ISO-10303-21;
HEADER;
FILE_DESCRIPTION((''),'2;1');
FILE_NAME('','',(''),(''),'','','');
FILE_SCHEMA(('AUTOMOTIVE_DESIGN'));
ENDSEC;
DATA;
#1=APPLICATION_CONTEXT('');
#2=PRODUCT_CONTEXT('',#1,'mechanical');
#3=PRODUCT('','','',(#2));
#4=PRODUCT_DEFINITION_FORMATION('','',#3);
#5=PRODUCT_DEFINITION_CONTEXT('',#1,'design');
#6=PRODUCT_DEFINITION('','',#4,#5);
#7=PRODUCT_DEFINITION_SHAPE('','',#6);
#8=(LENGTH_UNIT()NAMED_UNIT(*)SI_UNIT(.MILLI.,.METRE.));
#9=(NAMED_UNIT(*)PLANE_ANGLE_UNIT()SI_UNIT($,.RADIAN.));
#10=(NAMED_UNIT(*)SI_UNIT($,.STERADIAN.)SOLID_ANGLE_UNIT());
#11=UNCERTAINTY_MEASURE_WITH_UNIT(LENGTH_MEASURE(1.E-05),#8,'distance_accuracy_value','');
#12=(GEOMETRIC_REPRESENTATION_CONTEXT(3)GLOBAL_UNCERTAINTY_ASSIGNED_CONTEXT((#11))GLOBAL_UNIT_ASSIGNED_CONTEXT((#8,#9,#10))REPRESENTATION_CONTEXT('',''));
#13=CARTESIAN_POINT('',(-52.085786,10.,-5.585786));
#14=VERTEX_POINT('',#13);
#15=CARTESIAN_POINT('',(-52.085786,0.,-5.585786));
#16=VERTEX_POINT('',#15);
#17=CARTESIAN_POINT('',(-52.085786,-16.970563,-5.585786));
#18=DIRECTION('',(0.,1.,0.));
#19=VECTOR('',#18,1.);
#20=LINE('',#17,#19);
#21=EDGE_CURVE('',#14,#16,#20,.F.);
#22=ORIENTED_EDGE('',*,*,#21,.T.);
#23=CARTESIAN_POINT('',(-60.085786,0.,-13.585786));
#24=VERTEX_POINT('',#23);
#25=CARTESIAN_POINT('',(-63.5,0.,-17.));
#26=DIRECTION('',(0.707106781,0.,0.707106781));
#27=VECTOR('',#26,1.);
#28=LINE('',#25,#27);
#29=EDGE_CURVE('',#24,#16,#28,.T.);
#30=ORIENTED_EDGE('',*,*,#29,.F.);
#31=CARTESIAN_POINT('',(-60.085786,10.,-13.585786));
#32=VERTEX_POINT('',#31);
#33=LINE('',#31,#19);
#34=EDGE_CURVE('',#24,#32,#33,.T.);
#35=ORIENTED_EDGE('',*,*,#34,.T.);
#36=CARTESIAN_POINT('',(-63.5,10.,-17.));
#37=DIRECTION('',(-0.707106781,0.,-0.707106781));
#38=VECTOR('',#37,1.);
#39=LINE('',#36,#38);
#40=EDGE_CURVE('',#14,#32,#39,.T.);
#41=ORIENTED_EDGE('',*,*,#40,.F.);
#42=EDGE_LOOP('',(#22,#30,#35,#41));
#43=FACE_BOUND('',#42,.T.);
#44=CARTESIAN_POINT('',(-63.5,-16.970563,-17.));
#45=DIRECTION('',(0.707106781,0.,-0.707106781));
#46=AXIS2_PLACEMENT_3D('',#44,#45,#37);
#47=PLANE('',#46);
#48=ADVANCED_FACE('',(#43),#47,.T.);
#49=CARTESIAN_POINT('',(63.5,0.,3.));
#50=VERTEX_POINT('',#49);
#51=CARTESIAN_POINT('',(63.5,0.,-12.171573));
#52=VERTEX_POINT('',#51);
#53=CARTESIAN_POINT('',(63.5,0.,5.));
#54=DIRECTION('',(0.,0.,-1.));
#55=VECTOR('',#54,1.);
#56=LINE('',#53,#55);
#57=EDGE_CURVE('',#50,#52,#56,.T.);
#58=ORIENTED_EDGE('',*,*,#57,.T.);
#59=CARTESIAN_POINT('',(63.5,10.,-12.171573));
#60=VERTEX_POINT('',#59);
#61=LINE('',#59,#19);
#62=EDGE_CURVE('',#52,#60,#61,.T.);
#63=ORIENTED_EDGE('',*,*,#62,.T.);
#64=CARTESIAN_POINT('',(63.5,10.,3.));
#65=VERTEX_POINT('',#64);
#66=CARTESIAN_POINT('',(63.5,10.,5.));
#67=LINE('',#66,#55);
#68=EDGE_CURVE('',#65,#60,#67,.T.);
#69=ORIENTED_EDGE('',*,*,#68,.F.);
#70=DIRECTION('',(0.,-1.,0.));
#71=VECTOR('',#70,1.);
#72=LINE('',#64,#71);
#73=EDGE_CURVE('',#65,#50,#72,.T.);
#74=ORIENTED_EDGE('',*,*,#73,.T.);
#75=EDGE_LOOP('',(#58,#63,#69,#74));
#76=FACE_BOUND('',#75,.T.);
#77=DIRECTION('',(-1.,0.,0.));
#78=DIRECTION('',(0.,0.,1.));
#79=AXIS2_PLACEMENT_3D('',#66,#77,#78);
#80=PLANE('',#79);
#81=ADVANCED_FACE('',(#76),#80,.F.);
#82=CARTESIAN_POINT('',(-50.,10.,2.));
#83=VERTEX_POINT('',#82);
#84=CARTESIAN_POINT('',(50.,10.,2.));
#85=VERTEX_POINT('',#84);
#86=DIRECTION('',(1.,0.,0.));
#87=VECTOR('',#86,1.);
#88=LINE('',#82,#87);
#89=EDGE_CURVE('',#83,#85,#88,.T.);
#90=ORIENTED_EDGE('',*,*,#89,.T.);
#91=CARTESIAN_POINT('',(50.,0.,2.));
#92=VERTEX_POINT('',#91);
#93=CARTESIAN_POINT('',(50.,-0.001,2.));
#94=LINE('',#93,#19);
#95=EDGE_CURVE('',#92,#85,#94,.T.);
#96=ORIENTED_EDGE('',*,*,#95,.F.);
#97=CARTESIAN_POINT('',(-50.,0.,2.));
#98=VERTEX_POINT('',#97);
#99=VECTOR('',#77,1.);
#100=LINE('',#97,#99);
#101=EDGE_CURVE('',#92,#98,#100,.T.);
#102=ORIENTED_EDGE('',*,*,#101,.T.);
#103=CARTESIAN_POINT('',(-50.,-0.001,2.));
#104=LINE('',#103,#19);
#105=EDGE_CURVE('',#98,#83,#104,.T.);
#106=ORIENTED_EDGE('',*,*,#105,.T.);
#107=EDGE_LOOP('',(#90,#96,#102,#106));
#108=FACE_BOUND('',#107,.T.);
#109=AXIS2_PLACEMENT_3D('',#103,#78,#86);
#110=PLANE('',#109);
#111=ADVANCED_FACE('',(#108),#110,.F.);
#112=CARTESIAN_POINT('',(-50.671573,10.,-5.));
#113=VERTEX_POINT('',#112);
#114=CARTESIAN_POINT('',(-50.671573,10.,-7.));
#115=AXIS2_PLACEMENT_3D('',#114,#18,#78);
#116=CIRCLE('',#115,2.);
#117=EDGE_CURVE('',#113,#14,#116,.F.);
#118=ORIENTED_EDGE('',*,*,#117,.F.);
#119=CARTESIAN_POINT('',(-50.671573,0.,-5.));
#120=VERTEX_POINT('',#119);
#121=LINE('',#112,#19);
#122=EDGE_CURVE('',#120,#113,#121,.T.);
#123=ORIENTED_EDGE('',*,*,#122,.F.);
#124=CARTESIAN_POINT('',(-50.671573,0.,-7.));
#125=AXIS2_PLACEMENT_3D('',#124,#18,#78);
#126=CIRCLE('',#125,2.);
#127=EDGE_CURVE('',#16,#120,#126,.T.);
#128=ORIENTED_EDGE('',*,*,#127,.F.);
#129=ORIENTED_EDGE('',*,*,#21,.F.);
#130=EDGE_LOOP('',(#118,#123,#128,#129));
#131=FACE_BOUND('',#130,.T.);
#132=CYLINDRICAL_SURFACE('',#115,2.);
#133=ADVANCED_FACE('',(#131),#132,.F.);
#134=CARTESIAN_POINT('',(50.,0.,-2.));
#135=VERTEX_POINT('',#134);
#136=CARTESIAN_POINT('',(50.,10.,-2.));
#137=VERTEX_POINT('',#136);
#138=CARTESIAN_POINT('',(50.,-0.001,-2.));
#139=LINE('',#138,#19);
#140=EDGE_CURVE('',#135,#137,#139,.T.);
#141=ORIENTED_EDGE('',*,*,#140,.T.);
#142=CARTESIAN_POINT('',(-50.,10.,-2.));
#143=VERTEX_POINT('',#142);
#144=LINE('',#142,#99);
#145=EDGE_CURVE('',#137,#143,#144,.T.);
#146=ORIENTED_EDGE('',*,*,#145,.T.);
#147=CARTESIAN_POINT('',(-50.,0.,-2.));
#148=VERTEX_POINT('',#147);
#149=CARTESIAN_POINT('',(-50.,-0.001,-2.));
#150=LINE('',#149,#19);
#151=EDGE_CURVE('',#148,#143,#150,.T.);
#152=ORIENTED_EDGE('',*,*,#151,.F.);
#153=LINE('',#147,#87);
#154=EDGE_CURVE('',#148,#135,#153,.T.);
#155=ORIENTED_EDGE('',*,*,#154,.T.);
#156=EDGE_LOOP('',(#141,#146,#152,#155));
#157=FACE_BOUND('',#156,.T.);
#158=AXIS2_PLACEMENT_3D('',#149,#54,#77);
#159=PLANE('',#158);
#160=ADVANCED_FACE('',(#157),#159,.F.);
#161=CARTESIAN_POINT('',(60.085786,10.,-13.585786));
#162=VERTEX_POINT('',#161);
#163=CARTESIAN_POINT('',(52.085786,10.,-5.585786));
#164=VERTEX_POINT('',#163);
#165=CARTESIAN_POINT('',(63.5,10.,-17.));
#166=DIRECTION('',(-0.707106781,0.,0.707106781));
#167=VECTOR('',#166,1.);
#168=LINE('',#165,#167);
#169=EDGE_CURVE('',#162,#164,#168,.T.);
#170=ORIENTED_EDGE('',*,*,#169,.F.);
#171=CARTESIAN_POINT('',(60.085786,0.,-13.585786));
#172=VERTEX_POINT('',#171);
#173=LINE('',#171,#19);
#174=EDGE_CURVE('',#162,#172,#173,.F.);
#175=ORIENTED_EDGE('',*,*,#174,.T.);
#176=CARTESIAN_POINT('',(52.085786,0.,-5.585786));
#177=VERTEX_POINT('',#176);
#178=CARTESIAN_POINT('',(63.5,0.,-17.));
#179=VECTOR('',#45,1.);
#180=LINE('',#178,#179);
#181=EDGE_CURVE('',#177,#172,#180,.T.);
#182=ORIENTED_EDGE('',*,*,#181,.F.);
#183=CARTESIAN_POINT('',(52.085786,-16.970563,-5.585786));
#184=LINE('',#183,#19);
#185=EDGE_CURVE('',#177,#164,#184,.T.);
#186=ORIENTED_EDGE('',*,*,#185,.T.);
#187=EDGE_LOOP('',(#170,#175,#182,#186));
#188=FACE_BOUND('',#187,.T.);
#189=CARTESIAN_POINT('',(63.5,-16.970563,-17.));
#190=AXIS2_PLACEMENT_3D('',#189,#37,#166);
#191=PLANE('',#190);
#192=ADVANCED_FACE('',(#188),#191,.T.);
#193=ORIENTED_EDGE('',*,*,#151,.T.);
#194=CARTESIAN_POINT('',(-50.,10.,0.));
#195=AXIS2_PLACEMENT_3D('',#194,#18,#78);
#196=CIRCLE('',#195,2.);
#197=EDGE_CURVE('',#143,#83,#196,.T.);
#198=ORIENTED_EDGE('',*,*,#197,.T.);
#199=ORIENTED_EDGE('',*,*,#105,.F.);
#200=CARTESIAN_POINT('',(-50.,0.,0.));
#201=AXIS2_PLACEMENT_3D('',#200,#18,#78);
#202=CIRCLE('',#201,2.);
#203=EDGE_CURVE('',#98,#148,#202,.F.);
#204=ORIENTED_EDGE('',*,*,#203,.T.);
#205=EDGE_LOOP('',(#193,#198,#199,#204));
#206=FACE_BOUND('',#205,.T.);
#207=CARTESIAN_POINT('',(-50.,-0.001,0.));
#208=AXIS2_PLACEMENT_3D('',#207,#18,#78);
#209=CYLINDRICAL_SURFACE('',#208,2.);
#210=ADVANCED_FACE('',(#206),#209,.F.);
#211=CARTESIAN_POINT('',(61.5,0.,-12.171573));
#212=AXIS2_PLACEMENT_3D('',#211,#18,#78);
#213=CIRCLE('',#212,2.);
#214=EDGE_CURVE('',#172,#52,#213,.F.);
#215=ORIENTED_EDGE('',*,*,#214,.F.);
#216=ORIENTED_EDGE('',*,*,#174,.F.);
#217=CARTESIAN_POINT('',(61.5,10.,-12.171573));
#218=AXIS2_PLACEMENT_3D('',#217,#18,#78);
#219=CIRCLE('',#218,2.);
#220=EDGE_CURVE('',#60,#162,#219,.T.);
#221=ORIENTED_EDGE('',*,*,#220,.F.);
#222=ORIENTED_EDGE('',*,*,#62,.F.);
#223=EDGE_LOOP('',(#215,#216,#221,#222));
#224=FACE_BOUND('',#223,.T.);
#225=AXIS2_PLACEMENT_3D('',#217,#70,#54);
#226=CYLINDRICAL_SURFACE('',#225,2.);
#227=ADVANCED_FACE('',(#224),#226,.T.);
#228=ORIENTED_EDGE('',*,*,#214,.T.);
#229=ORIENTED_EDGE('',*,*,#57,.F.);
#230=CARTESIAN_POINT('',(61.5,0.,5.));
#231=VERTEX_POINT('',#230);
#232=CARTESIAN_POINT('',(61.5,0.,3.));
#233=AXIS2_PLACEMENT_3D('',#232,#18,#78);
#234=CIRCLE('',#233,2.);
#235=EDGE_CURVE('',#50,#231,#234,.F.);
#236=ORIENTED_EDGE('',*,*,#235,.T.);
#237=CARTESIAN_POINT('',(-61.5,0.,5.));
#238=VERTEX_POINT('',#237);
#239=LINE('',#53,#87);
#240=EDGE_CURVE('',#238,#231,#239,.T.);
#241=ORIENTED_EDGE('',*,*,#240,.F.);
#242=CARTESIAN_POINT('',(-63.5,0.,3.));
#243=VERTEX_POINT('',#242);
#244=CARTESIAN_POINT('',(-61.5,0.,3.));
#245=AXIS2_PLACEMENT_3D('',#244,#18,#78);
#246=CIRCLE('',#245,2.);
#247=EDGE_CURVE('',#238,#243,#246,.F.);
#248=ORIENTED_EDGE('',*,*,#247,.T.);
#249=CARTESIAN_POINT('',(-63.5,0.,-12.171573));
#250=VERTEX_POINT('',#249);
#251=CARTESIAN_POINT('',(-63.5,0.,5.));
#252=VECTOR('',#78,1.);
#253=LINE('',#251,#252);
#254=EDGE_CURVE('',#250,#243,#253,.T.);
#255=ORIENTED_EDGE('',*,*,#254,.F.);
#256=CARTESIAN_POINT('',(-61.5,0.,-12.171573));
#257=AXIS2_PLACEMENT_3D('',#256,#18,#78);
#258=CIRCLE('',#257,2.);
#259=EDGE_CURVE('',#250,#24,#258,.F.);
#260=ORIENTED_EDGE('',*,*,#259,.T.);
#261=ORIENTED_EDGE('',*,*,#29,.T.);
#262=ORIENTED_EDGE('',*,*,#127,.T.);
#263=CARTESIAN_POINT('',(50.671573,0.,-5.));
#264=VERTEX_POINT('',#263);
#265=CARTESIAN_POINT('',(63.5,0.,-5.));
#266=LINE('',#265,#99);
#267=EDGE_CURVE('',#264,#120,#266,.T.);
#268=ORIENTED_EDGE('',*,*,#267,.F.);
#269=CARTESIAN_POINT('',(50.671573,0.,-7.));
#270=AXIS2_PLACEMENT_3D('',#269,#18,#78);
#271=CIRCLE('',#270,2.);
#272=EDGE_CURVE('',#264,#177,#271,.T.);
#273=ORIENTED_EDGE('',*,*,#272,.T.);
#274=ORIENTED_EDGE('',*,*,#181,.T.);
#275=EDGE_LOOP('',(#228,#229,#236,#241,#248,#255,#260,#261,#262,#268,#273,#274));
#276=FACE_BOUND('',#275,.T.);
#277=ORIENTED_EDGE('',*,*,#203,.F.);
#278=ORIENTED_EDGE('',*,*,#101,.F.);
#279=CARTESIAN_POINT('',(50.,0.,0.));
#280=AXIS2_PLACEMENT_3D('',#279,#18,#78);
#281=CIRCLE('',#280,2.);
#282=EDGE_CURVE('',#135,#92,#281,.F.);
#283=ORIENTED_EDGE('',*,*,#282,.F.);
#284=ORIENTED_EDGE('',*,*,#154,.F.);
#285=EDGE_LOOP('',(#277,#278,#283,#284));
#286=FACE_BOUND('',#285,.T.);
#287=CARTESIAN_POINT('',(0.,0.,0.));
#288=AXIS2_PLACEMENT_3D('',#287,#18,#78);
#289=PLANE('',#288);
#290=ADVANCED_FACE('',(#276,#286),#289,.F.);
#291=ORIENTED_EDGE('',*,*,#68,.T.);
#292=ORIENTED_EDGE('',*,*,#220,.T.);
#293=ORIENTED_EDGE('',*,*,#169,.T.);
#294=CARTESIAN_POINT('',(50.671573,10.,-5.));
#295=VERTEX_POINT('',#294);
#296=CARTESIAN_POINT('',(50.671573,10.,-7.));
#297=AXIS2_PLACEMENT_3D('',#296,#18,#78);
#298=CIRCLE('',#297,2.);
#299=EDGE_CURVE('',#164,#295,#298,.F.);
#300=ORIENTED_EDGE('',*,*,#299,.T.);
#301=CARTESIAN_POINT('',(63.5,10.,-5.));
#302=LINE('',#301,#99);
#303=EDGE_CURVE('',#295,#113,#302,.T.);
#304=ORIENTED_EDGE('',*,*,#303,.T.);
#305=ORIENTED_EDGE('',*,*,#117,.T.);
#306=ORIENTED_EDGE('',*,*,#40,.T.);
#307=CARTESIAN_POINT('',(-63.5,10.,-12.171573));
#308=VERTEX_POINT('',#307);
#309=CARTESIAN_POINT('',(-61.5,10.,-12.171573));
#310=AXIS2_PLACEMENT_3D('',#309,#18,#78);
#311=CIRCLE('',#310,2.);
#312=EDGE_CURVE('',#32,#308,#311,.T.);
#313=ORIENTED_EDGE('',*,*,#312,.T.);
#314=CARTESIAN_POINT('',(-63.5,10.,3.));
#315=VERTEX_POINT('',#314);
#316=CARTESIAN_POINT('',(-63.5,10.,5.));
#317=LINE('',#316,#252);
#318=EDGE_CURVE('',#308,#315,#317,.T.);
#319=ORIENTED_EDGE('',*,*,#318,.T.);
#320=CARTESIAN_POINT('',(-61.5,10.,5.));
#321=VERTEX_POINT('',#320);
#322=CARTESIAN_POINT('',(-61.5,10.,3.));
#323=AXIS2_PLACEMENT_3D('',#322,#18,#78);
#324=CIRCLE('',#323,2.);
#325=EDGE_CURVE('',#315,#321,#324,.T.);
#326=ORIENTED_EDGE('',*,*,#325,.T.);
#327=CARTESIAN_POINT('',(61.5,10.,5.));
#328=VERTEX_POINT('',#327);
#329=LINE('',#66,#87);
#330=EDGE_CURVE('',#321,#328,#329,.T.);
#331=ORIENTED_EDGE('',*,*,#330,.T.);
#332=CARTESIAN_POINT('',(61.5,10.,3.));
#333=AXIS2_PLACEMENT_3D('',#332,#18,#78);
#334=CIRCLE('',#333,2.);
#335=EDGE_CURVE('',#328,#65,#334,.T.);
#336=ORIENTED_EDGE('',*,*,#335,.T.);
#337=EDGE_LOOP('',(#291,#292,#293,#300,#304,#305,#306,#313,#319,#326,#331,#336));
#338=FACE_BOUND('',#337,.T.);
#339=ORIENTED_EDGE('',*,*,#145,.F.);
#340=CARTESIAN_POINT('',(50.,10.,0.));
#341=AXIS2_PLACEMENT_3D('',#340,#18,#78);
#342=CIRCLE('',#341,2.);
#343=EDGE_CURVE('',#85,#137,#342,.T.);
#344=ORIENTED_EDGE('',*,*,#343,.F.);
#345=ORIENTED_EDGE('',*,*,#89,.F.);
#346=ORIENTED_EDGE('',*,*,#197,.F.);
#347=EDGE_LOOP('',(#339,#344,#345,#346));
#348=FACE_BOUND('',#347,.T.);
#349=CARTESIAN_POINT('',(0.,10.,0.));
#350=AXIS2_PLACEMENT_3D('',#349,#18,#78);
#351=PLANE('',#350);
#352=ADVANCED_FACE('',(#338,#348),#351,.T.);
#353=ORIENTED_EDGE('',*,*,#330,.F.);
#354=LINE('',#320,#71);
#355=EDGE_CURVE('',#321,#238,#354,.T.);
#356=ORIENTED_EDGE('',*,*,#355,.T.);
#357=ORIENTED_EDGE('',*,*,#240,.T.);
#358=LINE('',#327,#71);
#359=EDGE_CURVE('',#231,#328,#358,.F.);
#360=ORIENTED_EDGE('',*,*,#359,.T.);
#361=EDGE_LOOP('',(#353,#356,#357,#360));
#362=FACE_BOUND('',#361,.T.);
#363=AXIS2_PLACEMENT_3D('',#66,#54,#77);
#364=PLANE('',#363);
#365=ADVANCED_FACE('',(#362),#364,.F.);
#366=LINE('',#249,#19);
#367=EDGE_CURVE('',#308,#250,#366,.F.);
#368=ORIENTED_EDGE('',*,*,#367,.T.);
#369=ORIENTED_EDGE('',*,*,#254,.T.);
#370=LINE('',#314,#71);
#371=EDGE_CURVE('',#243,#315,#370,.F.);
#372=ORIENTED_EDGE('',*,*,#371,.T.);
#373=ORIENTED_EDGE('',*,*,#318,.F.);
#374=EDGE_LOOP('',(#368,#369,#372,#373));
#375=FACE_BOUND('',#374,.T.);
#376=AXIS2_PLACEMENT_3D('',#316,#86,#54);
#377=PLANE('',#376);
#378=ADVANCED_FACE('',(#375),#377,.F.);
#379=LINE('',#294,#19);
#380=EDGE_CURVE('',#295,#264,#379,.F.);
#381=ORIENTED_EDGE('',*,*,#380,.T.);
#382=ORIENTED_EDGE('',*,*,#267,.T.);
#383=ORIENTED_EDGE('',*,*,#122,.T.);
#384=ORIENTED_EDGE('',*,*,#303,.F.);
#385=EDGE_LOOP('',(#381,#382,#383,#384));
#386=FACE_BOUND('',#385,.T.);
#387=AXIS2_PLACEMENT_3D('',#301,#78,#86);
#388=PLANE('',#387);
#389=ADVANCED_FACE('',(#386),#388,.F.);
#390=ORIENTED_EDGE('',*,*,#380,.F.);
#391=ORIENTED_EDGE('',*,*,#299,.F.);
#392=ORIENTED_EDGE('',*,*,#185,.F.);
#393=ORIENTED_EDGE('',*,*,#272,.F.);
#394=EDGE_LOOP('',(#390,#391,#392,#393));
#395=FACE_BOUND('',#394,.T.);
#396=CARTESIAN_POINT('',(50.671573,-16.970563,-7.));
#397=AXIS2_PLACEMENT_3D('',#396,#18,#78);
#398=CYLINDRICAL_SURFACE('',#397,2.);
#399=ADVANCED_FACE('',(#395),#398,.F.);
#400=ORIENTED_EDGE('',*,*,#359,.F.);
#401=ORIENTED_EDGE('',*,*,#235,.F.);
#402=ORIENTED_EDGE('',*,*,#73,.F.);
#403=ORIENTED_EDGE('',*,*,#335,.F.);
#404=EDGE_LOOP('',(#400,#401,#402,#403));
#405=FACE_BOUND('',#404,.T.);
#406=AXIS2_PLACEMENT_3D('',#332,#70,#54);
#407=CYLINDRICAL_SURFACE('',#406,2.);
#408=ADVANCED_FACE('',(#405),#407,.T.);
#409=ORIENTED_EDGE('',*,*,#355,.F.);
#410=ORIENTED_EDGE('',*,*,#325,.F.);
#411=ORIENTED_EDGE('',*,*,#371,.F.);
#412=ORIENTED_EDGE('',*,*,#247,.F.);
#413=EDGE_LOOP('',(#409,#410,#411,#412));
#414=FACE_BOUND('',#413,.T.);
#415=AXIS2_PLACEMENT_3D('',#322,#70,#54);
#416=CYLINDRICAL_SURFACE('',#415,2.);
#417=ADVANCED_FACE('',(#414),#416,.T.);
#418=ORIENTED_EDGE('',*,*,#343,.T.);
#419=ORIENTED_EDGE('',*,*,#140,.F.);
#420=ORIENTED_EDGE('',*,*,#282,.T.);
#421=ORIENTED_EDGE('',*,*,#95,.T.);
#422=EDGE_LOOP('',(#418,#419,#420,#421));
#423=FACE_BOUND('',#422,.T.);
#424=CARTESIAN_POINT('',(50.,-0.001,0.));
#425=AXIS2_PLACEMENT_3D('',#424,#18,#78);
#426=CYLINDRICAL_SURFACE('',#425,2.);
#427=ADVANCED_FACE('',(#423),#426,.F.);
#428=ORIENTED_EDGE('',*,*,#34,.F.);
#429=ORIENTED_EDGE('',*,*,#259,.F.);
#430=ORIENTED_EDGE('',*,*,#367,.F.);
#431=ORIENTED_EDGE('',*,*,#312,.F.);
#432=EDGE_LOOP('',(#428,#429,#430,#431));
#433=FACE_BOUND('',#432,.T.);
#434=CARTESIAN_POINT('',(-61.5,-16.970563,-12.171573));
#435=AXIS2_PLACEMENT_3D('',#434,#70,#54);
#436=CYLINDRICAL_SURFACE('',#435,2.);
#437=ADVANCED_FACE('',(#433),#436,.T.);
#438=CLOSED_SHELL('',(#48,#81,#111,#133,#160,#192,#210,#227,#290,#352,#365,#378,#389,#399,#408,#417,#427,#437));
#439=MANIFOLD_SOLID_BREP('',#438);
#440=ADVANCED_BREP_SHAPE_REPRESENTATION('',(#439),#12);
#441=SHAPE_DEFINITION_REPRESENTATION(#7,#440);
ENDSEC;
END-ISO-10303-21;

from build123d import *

# Parameters (mm, degrees)
SKETCH1_W           = 127
SKETCH1_H           = 10
BOSS_EXTRUDE1_DEPTH = 10
BOSS_EXTRUDE2_DEPTH = 10
FILLET1_R           = 2
CUT_EXTRUDE1_REACH  = 12


with BuildPart() as part:
    # Sketch1 → Boss-Extrude1 (new body)
    with BuildSketch(Plane(origin=(0, 0, 0), x_dir=(1, 0, 0), z_dir=(0, 1, 0))):
        Rectangle(SKETCH1_W, SKETCH1_H)
    extrude(amount=BOSS_EXTRUDE1_DEPTH)

    # Sketch2 → Boss-Extrude2 (add)
    with BuildSketch(Plane(origin=(0, 10, 0), x_dir=(1, 0, 0), z_dir=(0, 1, 0))):
        Polygon((-63.5, 5), (-63.5, 17), (-51.5, 5), align=None)
        Polygon((51.5, 5), (63.5, 5), (63.5, 17), align=None)
    extrude(amount=-BOSS_EXTRUDE2_DEPTH)

    # Fillet1
    fillet1_edges = [part.edges().sort_by_distance(p)[0] for p in [
        (-51.5, 5, -5),
        (-63.5, 5, -17),
        (51.5, 5, -5),
        (63.5, 5, -17),
        (63.5, 5, 5),
        (-63.5, 5, 5),
    ]]
    fillet(fillet1_edges, radius=FILLET1_R)

    # Sketch4 → Cut-Extrude1 (cut, up to next)
    with BuildSketch(Plane(origin=(0, 10, 0), x_dir=(1, 0, 0), z_dir=(0, 1, 0)), mode=Mode.PRIVATE) as cut_extrude1_sk1:
        with BuildLine():
            Line((-50, 2), (50, 2))
            ThreePointArc((50, 2), (52, 0), (50, -2))
            Line((50, -2), (-50, -2))
            ThreePointArc((-50, -2), (-52, 0), (-50, 2))
        make_face()
    cut_extrude1_tool1 = extrude(cut_extrude1_sk1.sketch, amount=-CUT_EXTRUDE1_REACH, mode=Mode.PRIVATE) & part.part
    add(cut_extrude1_tool1.solids().sort_by_distance((0, 10, 0))[0], mode=Mode.SUBTRACT)


solid = part.part
